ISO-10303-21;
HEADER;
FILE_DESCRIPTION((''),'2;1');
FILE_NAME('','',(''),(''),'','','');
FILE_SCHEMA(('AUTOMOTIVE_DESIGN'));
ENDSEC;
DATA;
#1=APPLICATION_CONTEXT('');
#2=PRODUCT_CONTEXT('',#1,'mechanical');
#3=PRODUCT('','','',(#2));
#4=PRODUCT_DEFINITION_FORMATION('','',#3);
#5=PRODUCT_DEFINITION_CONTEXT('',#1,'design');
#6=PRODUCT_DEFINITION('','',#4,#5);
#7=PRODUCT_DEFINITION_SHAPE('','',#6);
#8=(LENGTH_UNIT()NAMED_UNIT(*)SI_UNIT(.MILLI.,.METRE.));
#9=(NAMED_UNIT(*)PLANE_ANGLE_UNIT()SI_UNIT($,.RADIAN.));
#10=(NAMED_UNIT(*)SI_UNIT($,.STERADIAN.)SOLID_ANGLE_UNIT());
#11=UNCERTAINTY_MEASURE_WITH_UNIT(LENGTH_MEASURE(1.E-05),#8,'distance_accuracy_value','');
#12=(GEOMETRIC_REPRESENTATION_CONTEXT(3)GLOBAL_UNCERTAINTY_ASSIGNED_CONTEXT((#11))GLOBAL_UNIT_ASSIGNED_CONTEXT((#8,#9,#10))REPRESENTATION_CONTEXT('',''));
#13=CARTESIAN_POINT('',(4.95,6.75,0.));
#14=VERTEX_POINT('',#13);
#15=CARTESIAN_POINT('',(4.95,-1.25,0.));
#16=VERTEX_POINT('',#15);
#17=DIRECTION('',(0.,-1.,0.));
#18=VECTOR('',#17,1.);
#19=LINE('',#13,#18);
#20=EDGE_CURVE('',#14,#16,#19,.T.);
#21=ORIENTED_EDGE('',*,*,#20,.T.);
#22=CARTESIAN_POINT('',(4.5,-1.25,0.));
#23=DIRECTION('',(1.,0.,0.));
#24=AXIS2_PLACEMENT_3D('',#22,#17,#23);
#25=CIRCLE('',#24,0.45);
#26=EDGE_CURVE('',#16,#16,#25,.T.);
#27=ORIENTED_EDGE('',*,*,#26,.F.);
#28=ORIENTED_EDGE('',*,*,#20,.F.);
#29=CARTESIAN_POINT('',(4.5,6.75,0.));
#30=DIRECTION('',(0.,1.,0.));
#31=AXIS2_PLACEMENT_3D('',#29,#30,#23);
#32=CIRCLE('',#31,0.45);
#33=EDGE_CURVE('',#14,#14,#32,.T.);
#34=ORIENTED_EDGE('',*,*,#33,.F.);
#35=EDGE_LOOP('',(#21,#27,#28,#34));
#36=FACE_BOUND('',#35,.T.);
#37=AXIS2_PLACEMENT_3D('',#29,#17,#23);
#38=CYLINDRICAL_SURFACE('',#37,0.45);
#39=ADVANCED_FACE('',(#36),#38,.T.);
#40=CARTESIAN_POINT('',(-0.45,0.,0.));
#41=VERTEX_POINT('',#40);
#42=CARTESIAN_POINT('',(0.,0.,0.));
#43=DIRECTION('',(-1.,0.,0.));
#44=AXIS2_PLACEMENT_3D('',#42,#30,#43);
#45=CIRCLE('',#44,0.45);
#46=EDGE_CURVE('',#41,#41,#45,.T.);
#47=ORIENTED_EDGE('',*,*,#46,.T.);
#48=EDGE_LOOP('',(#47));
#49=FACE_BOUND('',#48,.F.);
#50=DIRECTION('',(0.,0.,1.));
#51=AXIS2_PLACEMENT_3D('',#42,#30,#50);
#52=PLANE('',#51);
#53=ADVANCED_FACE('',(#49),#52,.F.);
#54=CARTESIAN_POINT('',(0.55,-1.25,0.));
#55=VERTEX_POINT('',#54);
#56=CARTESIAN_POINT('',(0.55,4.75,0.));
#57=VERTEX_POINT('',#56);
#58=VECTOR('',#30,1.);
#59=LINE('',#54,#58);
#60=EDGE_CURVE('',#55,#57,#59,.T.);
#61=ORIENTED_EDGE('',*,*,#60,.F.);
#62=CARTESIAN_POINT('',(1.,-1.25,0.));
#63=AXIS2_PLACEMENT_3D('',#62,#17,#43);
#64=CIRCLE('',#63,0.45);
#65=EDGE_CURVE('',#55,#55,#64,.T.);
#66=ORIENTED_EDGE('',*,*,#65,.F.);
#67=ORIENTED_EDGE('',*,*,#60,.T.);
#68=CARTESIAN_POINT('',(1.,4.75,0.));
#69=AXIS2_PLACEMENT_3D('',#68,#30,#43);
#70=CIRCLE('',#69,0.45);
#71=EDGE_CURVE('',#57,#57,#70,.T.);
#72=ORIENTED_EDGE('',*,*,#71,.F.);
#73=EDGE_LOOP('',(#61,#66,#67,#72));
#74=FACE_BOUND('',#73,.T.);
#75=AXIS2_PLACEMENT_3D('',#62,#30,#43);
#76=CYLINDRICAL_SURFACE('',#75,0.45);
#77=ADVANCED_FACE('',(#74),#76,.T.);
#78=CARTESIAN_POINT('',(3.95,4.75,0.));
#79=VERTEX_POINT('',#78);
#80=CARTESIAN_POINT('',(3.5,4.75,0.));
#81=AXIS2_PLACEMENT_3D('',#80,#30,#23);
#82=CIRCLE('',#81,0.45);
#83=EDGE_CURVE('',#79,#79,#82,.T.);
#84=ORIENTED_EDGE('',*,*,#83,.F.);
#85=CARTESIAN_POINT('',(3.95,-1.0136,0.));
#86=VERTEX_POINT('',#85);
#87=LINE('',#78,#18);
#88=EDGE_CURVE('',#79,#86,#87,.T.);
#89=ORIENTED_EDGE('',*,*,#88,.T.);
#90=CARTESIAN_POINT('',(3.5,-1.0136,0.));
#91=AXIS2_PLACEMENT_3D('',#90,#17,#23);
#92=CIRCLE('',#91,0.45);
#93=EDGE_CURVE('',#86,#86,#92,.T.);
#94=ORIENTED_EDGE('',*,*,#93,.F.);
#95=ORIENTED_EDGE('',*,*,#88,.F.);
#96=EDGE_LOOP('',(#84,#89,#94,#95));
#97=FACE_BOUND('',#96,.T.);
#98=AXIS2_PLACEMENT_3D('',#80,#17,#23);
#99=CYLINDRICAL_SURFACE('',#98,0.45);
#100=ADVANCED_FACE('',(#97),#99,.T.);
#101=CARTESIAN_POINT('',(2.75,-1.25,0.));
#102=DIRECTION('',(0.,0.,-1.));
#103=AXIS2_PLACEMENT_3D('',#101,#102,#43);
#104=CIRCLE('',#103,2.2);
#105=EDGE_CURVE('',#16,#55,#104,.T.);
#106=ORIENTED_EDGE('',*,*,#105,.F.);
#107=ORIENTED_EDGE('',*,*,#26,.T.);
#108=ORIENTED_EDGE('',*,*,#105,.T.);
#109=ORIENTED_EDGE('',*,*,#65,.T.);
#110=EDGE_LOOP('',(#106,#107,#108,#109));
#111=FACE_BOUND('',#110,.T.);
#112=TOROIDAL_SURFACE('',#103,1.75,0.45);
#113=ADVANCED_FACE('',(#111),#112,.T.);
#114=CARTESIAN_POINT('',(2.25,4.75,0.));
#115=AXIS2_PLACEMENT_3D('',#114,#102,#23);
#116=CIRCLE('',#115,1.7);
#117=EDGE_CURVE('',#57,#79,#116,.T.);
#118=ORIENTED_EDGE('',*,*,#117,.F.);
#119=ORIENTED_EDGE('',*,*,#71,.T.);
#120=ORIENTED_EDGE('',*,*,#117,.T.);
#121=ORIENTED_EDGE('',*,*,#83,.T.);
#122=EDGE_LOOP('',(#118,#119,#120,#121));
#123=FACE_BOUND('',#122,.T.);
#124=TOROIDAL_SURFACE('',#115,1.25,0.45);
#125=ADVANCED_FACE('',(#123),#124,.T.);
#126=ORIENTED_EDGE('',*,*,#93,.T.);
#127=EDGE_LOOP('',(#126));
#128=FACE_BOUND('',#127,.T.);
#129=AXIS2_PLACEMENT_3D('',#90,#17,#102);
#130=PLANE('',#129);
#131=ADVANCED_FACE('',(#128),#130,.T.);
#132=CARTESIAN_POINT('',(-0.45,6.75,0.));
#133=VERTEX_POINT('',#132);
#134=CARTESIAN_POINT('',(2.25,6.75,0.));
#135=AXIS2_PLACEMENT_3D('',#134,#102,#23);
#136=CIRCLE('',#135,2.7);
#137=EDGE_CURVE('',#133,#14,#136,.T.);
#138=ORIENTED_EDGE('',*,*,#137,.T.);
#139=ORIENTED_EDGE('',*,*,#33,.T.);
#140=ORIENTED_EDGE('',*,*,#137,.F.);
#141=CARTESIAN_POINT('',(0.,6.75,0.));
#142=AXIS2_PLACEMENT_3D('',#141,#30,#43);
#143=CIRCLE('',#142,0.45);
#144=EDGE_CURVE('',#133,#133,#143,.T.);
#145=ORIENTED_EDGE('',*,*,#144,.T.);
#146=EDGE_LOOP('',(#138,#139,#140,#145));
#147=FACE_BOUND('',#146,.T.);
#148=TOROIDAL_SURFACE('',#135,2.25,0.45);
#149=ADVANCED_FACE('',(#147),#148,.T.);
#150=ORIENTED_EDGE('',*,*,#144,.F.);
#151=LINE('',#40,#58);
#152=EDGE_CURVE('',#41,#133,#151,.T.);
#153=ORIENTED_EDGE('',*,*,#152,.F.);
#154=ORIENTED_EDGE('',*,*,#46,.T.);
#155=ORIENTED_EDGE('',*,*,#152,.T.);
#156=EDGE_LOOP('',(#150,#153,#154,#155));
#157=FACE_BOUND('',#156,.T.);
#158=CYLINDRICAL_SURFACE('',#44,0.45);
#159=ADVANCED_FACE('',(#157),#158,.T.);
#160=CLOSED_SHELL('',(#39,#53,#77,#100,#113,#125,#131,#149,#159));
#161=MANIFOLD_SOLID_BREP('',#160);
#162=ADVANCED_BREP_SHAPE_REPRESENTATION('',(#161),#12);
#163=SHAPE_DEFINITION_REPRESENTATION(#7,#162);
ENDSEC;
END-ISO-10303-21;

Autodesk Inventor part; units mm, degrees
ref_plane "YZ Plane" through (0, 0, 0) normal (1, 0, 0) x (0, 1, 0)
ref_plane "XZ Plane" through (0, 0, 0) normal (0, 1, 0) x (-1, 0, 0)
sketch "草圖1" plane through (0, 0, 0) normal (0, 0, 1) x (1, 0, 0)
  line L0 (0, 0) -> (0, 6.75)
  arc A0 (4.5, 6.75) -> (0, 6.75) centre (2.25, 6.75) ccw
  line L1 (4.5, 6.75) -> (4.5, -1.25)
  arc A1 (1, -1.25) -> (4.5, -1.25) centre (2.75, -1.25) ccw
  line L2 (1, -1.25) -> (1, 4.75)
  arc A2 (3.5, 4.75) -> (1, 4.75) centre (2.25, 4.75) ccw
  line L3 (3.5, 4.75) -> (3.5, -1.0136)
  dimension "d0" = 3.5
  dimension "d2" = 4.5
  dimension "d3" = 2.5
  dimension "d4" = 8
  dimension "d5" = 4.75
  dimension "d6" = 6.75
ref_plane "工作平面1" through (0, 0, 0) normal (0, 1, 0) x (-1, 0, 0)
sketch "草圖2" plane through (0, 0, 0) normal (0, 1, 0) x (-1, 0, 0)
  circle A0 centre (0, 0) radius 0.45
  dimension "d7" = 0.9
sweep "掃掠1" add profiles "草圖2" path "草圖1"
properties part number "練習一"
